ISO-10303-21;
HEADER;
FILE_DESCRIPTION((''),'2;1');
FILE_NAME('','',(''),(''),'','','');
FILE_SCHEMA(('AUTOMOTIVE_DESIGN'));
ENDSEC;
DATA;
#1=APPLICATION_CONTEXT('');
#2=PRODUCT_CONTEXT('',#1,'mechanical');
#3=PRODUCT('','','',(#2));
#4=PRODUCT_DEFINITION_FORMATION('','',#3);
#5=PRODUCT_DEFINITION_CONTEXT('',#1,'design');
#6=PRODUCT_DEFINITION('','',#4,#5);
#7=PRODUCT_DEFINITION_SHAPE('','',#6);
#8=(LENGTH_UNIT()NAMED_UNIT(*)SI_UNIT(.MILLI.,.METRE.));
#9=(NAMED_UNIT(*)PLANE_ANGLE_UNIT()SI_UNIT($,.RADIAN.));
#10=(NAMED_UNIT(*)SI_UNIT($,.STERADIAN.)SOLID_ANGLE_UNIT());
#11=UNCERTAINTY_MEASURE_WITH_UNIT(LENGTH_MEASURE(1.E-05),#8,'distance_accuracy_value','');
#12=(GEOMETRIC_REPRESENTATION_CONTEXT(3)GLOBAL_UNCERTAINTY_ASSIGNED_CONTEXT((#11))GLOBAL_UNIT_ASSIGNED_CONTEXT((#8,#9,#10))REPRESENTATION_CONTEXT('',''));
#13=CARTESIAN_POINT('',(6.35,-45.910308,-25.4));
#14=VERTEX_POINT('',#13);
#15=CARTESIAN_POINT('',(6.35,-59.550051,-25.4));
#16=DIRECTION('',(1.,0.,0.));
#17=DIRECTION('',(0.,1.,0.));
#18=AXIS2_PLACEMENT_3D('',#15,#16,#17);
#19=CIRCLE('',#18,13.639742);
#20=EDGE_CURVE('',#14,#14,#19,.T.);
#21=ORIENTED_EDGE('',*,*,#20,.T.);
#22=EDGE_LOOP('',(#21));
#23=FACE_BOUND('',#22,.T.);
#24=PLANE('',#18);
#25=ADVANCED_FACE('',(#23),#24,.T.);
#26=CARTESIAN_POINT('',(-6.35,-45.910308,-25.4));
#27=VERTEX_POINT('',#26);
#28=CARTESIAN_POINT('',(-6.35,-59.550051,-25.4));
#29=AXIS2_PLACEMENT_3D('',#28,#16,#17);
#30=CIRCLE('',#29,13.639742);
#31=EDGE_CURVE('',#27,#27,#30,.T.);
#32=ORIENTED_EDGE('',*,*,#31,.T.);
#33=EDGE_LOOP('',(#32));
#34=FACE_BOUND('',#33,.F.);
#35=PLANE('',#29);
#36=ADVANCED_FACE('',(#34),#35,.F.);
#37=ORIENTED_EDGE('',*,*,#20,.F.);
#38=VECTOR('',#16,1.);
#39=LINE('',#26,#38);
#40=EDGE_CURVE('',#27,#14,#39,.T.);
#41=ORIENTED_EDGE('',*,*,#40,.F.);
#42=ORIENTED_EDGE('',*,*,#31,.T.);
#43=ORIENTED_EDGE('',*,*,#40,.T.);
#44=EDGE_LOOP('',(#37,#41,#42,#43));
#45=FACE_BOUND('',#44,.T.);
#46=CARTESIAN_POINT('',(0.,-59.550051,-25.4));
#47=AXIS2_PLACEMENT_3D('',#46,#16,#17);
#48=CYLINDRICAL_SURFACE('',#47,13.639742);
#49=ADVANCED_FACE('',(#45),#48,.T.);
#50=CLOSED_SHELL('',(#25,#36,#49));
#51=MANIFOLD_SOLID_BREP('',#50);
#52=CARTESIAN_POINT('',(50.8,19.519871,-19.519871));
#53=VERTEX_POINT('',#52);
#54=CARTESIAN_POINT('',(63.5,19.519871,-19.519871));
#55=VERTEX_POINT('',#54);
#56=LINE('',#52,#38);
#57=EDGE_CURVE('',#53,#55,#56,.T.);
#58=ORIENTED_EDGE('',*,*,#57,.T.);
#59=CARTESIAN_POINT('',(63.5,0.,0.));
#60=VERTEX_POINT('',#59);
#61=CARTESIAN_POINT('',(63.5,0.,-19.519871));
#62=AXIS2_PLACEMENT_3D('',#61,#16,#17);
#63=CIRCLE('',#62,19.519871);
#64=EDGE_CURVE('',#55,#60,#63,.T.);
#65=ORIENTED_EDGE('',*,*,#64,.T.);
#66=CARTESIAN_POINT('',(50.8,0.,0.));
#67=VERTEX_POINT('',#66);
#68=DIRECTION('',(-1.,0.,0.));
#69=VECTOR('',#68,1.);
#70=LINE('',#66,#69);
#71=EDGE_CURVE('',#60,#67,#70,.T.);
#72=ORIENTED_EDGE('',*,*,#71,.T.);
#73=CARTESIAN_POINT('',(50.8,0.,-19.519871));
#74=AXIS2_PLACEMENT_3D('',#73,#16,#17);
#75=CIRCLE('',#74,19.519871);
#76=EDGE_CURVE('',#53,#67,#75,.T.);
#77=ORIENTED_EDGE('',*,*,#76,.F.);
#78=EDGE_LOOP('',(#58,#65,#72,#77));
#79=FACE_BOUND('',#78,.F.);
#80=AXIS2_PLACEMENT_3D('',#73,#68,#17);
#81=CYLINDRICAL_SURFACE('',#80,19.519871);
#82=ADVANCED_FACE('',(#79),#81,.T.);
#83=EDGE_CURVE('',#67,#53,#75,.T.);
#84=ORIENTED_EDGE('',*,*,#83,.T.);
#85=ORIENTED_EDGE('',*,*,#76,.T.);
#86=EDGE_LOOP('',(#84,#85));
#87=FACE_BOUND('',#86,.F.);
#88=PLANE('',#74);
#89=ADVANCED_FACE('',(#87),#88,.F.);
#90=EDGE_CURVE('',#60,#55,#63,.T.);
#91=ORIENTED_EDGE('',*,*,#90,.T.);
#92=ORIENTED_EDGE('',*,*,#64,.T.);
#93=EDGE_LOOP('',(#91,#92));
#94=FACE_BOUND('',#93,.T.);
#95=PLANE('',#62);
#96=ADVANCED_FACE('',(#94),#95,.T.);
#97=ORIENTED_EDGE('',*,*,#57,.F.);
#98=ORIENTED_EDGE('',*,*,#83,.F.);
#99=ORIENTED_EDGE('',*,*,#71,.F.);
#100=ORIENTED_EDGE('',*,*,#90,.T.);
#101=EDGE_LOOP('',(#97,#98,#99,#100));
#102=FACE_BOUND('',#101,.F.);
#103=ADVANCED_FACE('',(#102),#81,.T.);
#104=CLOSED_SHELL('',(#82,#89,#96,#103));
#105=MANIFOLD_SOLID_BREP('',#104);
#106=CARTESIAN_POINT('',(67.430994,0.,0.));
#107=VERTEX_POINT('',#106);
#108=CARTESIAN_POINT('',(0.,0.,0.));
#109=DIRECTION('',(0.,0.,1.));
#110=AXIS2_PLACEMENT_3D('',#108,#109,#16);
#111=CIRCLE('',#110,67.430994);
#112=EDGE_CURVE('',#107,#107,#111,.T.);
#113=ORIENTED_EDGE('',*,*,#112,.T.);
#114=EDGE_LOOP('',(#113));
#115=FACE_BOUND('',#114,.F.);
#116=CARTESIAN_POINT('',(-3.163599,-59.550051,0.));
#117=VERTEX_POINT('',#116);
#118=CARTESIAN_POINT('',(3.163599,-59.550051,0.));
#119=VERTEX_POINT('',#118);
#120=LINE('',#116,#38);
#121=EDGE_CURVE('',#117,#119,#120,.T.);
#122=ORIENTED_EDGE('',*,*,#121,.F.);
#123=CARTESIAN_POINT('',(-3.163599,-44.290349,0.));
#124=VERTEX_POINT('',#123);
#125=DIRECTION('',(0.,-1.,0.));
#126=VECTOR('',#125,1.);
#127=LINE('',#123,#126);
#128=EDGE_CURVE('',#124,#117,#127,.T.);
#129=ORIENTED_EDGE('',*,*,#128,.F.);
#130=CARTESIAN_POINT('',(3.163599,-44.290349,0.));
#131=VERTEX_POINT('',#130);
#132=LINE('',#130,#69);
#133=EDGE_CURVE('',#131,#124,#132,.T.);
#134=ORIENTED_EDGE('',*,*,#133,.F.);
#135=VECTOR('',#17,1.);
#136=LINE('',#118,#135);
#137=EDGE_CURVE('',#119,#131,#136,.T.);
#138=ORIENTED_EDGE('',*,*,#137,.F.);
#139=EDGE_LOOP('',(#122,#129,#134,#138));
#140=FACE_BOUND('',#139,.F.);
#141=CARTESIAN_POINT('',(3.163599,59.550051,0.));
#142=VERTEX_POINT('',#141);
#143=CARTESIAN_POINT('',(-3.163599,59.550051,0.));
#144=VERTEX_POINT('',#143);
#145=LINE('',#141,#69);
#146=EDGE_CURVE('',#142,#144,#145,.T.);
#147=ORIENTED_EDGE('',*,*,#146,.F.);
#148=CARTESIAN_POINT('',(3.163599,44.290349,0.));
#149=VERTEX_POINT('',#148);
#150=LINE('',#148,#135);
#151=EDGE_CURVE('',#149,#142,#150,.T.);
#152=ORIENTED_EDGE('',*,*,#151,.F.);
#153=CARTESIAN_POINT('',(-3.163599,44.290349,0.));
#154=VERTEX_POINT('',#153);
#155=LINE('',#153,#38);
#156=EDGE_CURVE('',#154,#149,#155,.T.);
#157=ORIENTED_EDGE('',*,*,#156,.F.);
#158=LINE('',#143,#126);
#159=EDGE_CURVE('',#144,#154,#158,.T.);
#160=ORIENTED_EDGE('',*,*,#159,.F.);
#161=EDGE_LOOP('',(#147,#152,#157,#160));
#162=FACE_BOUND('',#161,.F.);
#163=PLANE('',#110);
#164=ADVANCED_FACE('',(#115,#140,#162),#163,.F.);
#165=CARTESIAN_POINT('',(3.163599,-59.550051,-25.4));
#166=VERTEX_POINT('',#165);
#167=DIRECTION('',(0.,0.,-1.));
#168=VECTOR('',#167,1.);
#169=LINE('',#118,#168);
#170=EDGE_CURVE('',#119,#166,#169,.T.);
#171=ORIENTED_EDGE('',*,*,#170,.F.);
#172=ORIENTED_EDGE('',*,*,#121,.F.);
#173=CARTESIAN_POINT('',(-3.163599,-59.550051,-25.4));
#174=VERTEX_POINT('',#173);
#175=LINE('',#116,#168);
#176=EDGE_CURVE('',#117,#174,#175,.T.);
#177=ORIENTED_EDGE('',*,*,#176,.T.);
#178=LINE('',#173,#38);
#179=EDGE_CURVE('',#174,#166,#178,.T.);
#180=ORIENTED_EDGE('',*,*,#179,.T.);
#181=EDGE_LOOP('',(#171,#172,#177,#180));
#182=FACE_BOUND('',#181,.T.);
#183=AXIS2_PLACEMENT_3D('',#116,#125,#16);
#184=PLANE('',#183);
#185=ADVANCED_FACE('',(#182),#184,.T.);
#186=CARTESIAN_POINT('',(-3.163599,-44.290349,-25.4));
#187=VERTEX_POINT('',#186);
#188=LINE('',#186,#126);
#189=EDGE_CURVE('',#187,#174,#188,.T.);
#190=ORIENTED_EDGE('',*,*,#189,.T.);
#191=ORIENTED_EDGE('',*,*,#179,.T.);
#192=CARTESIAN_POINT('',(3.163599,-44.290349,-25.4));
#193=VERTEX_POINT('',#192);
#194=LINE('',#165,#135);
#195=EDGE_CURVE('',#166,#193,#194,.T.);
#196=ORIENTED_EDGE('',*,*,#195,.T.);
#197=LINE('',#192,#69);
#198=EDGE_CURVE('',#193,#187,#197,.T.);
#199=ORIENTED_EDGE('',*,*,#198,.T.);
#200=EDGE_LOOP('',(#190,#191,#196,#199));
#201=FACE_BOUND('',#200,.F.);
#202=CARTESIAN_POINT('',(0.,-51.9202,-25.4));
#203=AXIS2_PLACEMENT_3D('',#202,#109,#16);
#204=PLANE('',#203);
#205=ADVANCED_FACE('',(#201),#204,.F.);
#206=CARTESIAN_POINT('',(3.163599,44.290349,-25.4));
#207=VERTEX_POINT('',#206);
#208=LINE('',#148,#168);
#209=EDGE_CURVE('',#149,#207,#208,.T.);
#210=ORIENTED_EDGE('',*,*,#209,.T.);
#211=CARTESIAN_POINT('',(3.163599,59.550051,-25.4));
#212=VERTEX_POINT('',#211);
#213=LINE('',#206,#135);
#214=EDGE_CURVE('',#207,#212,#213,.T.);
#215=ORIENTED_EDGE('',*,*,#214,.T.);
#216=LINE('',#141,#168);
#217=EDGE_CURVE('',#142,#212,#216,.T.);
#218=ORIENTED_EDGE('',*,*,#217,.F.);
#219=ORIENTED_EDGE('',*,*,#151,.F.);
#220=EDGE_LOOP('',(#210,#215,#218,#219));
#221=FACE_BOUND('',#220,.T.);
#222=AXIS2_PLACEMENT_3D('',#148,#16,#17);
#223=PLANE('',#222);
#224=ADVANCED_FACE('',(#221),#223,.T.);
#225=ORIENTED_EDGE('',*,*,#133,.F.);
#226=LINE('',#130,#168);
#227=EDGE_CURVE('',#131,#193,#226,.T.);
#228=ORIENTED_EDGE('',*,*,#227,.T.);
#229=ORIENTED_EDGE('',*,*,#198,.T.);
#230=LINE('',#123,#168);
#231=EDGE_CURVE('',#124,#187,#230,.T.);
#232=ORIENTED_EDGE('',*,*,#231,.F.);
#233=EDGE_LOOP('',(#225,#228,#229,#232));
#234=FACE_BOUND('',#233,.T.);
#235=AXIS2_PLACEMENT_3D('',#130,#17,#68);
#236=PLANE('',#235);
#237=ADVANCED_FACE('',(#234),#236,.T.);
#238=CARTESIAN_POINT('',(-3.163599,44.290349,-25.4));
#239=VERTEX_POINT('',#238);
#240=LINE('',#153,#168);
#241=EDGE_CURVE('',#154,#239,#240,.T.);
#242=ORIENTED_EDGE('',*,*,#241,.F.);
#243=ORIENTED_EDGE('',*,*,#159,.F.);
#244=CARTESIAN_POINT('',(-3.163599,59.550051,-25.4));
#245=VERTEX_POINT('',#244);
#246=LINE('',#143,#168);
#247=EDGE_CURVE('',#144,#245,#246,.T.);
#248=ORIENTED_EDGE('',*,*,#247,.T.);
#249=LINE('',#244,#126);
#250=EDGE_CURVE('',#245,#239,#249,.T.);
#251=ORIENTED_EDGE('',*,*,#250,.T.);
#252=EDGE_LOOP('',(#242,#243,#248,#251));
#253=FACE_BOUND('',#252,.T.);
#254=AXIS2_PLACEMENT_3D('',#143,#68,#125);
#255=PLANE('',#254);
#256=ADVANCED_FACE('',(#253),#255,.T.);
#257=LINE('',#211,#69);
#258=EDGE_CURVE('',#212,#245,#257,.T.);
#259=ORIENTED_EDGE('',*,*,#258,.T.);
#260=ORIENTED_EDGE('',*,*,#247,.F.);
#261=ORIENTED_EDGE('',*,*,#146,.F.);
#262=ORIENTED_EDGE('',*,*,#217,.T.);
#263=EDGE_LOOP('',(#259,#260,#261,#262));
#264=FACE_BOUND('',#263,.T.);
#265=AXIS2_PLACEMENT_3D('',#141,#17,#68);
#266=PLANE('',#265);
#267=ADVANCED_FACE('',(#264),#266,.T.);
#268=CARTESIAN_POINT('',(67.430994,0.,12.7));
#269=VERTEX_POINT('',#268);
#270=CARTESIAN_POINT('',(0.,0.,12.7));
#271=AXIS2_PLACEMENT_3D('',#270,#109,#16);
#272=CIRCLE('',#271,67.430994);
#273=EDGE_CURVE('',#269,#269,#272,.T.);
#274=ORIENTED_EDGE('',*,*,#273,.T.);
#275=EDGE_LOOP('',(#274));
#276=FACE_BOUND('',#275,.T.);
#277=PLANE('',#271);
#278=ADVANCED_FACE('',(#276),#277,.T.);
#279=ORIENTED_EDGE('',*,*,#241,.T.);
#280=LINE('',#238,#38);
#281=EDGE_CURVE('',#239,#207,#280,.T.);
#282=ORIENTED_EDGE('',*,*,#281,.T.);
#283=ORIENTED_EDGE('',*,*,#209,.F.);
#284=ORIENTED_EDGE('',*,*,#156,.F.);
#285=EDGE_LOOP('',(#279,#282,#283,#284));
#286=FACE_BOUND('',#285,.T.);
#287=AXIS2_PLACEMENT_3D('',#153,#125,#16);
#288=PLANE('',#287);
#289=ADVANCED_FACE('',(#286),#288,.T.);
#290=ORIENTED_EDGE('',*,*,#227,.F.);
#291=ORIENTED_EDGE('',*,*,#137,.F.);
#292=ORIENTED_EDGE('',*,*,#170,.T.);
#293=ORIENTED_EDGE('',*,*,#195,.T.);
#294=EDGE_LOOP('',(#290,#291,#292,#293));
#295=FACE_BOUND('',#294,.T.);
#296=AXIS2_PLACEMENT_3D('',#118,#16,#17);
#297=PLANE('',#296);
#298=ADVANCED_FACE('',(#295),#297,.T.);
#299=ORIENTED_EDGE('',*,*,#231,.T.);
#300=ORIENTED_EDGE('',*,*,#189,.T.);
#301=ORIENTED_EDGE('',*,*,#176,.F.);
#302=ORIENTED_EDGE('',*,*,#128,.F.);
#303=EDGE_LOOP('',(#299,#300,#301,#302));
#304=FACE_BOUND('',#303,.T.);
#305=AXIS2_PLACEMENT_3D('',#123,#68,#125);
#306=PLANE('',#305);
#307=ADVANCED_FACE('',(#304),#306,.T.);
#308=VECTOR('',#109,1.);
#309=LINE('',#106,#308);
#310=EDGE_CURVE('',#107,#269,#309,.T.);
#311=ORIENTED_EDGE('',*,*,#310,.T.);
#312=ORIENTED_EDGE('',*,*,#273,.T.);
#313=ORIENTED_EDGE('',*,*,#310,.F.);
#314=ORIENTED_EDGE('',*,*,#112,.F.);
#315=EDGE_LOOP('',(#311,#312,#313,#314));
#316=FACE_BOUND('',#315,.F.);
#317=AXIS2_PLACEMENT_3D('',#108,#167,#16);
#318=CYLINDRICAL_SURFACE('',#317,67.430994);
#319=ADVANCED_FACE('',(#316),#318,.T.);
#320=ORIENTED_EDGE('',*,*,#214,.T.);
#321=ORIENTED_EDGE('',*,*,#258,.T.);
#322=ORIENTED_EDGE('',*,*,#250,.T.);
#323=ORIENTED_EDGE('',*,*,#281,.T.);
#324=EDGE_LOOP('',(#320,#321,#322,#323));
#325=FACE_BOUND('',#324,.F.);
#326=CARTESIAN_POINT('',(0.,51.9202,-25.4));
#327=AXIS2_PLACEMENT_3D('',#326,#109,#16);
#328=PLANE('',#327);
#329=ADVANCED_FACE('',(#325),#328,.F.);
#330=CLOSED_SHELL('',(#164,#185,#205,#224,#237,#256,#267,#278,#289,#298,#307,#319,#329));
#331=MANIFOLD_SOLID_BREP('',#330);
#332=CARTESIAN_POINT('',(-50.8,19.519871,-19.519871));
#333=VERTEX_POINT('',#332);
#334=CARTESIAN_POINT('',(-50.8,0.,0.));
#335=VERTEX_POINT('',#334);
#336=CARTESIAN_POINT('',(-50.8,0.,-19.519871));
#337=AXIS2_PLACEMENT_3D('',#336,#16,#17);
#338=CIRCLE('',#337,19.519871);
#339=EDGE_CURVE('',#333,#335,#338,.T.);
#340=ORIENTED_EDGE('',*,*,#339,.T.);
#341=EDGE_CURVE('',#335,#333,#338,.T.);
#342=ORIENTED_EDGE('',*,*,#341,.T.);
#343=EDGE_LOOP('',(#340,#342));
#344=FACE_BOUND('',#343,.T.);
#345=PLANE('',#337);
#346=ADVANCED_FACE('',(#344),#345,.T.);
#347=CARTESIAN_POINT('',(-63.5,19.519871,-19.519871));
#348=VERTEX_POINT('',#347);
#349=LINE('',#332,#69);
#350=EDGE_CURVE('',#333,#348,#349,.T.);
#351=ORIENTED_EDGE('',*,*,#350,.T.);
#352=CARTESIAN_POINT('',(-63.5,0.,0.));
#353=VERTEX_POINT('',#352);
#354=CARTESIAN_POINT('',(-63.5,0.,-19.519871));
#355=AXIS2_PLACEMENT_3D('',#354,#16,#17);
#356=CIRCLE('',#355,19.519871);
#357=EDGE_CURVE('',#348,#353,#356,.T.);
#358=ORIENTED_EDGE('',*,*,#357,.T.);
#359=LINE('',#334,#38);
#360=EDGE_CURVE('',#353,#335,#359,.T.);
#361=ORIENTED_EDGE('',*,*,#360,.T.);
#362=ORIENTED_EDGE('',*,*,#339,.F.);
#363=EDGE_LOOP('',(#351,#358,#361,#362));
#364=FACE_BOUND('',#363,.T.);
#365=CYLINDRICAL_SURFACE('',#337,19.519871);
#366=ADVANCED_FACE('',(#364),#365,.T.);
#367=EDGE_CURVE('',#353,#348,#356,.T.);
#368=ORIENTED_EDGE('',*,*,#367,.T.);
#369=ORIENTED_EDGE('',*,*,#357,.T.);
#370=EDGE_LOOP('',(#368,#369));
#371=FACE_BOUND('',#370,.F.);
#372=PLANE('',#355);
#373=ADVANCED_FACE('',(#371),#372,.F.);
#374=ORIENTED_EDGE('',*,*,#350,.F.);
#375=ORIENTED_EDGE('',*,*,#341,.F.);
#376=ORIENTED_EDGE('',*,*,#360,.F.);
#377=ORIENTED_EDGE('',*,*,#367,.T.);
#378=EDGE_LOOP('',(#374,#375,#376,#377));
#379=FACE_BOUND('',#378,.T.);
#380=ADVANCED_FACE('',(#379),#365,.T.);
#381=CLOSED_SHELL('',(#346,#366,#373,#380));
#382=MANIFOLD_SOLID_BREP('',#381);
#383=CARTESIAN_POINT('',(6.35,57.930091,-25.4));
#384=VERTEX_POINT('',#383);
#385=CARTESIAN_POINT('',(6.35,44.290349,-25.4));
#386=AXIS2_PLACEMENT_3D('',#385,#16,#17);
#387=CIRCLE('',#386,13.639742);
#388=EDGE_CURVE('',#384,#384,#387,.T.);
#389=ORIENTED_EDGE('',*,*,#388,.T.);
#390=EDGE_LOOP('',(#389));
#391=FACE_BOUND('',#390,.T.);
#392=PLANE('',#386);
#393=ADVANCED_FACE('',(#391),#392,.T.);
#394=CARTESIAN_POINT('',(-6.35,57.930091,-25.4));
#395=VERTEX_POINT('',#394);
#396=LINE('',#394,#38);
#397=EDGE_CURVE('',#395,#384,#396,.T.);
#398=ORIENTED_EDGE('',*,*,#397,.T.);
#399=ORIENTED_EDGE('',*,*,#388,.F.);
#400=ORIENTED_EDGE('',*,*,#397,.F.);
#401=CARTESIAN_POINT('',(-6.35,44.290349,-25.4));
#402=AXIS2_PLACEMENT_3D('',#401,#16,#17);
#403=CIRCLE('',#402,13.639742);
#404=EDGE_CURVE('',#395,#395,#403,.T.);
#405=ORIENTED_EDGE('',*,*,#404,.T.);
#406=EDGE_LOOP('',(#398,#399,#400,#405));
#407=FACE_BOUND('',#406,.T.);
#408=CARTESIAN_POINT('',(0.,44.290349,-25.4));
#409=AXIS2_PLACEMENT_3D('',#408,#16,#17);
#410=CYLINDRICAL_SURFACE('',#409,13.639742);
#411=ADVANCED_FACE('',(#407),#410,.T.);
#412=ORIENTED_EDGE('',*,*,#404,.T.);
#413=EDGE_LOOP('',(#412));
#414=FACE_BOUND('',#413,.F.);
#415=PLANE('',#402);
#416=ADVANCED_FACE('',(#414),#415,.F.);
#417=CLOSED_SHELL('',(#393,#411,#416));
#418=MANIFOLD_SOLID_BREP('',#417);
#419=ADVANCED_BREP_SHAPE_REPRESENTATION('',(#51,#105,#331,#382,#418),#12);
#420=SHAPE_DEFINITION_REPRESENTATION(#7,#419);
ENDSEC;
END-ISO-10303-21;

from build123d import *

# Parameters (mm, degrees)
F0_R          = 67.4309942843
F1_DEPTH      = 12.7
F2_DEPTH      = 25.4
F4_START      = 50.8
F3_R          = 19.5198711008
F4_DEPTH      = 12.7
F5_START      = -50.8
F5_DEPTH      = 12.7
F3_R_2        = 13.6397422016
F6_DEPTH      = 6.35
F6_DEPTH_BACK = 6.35


with BuildPart() as f1:
    # F0 (on Top) → F1 (new body)
    with BuildSketch(Plane.XY):
        Circle(F0_R)
        Polygon((3.1635994092, -44.2903488874), (3.1635994092, -59.5500506461), (0, -59.5500506461), (-3.1635994092, -59.5500506461), (-3.1635994092, -44.2903488874), (0, -44.2903488874), align=None, mode=Mode.SUBTRACT)
        Polygon((-3.1635994092, 44.2903488874), (-3.1635994092, 59.5500506461), (0, 59.5500506461), (3.1635994092, 59.5500506461), (3.1635994092, 44.2903488874), (0, 44.2903488874), align=None, mode=Mode.SUBTRACT)
        Polygon((0, 59.5500506461), (-3.1635994092, 59.5500506461), (-3.1635994092, 44.2903488874), (0, 44.2903488874), (3.1635994092, 44.2903488874), (3.1635994092, 59.5500506461), align=None)
        Polygon((0, -59.5500506461), (3.1635994092, -59.5500506461), (3.1635994092, -44.2903488874), (0, -44.2903488874), (-3.1635994092, -44.2903488874), (-3.1635994092, -59.5500506461), align=None)
    extrude(amount=F1_DEPTH)

    # F0 (on Top) → F2 (join)
    with BuildSketch(Plane.XY):
        Polygon((0, -59.5500506461), (3.1635994092, -59.5500506461), (3.1635994092, -44.2903488874), (0, -44.2903488874), (-3.1635994092, -44.2903488874), (-3.1635994092, -59.5500506461), align=None)
        Polygon((0, 59.5500506461), (-3.1635994092, 59.5500506461), (-3.1635994092, 44.2903488874), (0, 44.2903488874), (3.1635994092, 44.2903488874), (3.1635994092, 59.5500506461), align=None)
    extrude(amount=-F2_DEPTH)

    # F3 (on Right) → F4 (join)
    with BuildSketch(Plane.YZ.offset(F4_START)):
        with Locations((0, -19.5198711008)):
            Circle(F3_R)
    extrude(amount=F4_DEPTH)

    # F3 (on Right) → F5 (join)
    with BuildSketch(Plane.YZ.offset(F5_START)):
        with Locations((0, -19.5198711008)):
            Circle(F3_R)
    extrude(amount=-F5_DEPTH)


with BuildPart() as f6:
    # F3 (on Right) → F6 (new body, two sides)
    with BuildSketch(Plane.YZ) as f6_sk:
        with Locations((-59.5500506461, -25.4)):
            Circle(F3_R_2)
    extrude(amount=F6_DEPTH)
    extrude(f6_sk.sketch, amount=-F6_DEPTH_BACK)


with BuildPart() as f6b:
    # F3 (on Right) → F6, piece 2 (new body, two sides)
    with BuildSketch(Plane.YZ) as f6_2_sk:
        with Locations((44.2903488874, -25.4)):
            Circle(F3_R_2)
    extrude(amount=F6_DEPTH)
    extrude(f6_2_sk.sketch, amount=-F6_DEPTH_BACK)


solid = Compound([f1.part, f6.part, f6b.part])
